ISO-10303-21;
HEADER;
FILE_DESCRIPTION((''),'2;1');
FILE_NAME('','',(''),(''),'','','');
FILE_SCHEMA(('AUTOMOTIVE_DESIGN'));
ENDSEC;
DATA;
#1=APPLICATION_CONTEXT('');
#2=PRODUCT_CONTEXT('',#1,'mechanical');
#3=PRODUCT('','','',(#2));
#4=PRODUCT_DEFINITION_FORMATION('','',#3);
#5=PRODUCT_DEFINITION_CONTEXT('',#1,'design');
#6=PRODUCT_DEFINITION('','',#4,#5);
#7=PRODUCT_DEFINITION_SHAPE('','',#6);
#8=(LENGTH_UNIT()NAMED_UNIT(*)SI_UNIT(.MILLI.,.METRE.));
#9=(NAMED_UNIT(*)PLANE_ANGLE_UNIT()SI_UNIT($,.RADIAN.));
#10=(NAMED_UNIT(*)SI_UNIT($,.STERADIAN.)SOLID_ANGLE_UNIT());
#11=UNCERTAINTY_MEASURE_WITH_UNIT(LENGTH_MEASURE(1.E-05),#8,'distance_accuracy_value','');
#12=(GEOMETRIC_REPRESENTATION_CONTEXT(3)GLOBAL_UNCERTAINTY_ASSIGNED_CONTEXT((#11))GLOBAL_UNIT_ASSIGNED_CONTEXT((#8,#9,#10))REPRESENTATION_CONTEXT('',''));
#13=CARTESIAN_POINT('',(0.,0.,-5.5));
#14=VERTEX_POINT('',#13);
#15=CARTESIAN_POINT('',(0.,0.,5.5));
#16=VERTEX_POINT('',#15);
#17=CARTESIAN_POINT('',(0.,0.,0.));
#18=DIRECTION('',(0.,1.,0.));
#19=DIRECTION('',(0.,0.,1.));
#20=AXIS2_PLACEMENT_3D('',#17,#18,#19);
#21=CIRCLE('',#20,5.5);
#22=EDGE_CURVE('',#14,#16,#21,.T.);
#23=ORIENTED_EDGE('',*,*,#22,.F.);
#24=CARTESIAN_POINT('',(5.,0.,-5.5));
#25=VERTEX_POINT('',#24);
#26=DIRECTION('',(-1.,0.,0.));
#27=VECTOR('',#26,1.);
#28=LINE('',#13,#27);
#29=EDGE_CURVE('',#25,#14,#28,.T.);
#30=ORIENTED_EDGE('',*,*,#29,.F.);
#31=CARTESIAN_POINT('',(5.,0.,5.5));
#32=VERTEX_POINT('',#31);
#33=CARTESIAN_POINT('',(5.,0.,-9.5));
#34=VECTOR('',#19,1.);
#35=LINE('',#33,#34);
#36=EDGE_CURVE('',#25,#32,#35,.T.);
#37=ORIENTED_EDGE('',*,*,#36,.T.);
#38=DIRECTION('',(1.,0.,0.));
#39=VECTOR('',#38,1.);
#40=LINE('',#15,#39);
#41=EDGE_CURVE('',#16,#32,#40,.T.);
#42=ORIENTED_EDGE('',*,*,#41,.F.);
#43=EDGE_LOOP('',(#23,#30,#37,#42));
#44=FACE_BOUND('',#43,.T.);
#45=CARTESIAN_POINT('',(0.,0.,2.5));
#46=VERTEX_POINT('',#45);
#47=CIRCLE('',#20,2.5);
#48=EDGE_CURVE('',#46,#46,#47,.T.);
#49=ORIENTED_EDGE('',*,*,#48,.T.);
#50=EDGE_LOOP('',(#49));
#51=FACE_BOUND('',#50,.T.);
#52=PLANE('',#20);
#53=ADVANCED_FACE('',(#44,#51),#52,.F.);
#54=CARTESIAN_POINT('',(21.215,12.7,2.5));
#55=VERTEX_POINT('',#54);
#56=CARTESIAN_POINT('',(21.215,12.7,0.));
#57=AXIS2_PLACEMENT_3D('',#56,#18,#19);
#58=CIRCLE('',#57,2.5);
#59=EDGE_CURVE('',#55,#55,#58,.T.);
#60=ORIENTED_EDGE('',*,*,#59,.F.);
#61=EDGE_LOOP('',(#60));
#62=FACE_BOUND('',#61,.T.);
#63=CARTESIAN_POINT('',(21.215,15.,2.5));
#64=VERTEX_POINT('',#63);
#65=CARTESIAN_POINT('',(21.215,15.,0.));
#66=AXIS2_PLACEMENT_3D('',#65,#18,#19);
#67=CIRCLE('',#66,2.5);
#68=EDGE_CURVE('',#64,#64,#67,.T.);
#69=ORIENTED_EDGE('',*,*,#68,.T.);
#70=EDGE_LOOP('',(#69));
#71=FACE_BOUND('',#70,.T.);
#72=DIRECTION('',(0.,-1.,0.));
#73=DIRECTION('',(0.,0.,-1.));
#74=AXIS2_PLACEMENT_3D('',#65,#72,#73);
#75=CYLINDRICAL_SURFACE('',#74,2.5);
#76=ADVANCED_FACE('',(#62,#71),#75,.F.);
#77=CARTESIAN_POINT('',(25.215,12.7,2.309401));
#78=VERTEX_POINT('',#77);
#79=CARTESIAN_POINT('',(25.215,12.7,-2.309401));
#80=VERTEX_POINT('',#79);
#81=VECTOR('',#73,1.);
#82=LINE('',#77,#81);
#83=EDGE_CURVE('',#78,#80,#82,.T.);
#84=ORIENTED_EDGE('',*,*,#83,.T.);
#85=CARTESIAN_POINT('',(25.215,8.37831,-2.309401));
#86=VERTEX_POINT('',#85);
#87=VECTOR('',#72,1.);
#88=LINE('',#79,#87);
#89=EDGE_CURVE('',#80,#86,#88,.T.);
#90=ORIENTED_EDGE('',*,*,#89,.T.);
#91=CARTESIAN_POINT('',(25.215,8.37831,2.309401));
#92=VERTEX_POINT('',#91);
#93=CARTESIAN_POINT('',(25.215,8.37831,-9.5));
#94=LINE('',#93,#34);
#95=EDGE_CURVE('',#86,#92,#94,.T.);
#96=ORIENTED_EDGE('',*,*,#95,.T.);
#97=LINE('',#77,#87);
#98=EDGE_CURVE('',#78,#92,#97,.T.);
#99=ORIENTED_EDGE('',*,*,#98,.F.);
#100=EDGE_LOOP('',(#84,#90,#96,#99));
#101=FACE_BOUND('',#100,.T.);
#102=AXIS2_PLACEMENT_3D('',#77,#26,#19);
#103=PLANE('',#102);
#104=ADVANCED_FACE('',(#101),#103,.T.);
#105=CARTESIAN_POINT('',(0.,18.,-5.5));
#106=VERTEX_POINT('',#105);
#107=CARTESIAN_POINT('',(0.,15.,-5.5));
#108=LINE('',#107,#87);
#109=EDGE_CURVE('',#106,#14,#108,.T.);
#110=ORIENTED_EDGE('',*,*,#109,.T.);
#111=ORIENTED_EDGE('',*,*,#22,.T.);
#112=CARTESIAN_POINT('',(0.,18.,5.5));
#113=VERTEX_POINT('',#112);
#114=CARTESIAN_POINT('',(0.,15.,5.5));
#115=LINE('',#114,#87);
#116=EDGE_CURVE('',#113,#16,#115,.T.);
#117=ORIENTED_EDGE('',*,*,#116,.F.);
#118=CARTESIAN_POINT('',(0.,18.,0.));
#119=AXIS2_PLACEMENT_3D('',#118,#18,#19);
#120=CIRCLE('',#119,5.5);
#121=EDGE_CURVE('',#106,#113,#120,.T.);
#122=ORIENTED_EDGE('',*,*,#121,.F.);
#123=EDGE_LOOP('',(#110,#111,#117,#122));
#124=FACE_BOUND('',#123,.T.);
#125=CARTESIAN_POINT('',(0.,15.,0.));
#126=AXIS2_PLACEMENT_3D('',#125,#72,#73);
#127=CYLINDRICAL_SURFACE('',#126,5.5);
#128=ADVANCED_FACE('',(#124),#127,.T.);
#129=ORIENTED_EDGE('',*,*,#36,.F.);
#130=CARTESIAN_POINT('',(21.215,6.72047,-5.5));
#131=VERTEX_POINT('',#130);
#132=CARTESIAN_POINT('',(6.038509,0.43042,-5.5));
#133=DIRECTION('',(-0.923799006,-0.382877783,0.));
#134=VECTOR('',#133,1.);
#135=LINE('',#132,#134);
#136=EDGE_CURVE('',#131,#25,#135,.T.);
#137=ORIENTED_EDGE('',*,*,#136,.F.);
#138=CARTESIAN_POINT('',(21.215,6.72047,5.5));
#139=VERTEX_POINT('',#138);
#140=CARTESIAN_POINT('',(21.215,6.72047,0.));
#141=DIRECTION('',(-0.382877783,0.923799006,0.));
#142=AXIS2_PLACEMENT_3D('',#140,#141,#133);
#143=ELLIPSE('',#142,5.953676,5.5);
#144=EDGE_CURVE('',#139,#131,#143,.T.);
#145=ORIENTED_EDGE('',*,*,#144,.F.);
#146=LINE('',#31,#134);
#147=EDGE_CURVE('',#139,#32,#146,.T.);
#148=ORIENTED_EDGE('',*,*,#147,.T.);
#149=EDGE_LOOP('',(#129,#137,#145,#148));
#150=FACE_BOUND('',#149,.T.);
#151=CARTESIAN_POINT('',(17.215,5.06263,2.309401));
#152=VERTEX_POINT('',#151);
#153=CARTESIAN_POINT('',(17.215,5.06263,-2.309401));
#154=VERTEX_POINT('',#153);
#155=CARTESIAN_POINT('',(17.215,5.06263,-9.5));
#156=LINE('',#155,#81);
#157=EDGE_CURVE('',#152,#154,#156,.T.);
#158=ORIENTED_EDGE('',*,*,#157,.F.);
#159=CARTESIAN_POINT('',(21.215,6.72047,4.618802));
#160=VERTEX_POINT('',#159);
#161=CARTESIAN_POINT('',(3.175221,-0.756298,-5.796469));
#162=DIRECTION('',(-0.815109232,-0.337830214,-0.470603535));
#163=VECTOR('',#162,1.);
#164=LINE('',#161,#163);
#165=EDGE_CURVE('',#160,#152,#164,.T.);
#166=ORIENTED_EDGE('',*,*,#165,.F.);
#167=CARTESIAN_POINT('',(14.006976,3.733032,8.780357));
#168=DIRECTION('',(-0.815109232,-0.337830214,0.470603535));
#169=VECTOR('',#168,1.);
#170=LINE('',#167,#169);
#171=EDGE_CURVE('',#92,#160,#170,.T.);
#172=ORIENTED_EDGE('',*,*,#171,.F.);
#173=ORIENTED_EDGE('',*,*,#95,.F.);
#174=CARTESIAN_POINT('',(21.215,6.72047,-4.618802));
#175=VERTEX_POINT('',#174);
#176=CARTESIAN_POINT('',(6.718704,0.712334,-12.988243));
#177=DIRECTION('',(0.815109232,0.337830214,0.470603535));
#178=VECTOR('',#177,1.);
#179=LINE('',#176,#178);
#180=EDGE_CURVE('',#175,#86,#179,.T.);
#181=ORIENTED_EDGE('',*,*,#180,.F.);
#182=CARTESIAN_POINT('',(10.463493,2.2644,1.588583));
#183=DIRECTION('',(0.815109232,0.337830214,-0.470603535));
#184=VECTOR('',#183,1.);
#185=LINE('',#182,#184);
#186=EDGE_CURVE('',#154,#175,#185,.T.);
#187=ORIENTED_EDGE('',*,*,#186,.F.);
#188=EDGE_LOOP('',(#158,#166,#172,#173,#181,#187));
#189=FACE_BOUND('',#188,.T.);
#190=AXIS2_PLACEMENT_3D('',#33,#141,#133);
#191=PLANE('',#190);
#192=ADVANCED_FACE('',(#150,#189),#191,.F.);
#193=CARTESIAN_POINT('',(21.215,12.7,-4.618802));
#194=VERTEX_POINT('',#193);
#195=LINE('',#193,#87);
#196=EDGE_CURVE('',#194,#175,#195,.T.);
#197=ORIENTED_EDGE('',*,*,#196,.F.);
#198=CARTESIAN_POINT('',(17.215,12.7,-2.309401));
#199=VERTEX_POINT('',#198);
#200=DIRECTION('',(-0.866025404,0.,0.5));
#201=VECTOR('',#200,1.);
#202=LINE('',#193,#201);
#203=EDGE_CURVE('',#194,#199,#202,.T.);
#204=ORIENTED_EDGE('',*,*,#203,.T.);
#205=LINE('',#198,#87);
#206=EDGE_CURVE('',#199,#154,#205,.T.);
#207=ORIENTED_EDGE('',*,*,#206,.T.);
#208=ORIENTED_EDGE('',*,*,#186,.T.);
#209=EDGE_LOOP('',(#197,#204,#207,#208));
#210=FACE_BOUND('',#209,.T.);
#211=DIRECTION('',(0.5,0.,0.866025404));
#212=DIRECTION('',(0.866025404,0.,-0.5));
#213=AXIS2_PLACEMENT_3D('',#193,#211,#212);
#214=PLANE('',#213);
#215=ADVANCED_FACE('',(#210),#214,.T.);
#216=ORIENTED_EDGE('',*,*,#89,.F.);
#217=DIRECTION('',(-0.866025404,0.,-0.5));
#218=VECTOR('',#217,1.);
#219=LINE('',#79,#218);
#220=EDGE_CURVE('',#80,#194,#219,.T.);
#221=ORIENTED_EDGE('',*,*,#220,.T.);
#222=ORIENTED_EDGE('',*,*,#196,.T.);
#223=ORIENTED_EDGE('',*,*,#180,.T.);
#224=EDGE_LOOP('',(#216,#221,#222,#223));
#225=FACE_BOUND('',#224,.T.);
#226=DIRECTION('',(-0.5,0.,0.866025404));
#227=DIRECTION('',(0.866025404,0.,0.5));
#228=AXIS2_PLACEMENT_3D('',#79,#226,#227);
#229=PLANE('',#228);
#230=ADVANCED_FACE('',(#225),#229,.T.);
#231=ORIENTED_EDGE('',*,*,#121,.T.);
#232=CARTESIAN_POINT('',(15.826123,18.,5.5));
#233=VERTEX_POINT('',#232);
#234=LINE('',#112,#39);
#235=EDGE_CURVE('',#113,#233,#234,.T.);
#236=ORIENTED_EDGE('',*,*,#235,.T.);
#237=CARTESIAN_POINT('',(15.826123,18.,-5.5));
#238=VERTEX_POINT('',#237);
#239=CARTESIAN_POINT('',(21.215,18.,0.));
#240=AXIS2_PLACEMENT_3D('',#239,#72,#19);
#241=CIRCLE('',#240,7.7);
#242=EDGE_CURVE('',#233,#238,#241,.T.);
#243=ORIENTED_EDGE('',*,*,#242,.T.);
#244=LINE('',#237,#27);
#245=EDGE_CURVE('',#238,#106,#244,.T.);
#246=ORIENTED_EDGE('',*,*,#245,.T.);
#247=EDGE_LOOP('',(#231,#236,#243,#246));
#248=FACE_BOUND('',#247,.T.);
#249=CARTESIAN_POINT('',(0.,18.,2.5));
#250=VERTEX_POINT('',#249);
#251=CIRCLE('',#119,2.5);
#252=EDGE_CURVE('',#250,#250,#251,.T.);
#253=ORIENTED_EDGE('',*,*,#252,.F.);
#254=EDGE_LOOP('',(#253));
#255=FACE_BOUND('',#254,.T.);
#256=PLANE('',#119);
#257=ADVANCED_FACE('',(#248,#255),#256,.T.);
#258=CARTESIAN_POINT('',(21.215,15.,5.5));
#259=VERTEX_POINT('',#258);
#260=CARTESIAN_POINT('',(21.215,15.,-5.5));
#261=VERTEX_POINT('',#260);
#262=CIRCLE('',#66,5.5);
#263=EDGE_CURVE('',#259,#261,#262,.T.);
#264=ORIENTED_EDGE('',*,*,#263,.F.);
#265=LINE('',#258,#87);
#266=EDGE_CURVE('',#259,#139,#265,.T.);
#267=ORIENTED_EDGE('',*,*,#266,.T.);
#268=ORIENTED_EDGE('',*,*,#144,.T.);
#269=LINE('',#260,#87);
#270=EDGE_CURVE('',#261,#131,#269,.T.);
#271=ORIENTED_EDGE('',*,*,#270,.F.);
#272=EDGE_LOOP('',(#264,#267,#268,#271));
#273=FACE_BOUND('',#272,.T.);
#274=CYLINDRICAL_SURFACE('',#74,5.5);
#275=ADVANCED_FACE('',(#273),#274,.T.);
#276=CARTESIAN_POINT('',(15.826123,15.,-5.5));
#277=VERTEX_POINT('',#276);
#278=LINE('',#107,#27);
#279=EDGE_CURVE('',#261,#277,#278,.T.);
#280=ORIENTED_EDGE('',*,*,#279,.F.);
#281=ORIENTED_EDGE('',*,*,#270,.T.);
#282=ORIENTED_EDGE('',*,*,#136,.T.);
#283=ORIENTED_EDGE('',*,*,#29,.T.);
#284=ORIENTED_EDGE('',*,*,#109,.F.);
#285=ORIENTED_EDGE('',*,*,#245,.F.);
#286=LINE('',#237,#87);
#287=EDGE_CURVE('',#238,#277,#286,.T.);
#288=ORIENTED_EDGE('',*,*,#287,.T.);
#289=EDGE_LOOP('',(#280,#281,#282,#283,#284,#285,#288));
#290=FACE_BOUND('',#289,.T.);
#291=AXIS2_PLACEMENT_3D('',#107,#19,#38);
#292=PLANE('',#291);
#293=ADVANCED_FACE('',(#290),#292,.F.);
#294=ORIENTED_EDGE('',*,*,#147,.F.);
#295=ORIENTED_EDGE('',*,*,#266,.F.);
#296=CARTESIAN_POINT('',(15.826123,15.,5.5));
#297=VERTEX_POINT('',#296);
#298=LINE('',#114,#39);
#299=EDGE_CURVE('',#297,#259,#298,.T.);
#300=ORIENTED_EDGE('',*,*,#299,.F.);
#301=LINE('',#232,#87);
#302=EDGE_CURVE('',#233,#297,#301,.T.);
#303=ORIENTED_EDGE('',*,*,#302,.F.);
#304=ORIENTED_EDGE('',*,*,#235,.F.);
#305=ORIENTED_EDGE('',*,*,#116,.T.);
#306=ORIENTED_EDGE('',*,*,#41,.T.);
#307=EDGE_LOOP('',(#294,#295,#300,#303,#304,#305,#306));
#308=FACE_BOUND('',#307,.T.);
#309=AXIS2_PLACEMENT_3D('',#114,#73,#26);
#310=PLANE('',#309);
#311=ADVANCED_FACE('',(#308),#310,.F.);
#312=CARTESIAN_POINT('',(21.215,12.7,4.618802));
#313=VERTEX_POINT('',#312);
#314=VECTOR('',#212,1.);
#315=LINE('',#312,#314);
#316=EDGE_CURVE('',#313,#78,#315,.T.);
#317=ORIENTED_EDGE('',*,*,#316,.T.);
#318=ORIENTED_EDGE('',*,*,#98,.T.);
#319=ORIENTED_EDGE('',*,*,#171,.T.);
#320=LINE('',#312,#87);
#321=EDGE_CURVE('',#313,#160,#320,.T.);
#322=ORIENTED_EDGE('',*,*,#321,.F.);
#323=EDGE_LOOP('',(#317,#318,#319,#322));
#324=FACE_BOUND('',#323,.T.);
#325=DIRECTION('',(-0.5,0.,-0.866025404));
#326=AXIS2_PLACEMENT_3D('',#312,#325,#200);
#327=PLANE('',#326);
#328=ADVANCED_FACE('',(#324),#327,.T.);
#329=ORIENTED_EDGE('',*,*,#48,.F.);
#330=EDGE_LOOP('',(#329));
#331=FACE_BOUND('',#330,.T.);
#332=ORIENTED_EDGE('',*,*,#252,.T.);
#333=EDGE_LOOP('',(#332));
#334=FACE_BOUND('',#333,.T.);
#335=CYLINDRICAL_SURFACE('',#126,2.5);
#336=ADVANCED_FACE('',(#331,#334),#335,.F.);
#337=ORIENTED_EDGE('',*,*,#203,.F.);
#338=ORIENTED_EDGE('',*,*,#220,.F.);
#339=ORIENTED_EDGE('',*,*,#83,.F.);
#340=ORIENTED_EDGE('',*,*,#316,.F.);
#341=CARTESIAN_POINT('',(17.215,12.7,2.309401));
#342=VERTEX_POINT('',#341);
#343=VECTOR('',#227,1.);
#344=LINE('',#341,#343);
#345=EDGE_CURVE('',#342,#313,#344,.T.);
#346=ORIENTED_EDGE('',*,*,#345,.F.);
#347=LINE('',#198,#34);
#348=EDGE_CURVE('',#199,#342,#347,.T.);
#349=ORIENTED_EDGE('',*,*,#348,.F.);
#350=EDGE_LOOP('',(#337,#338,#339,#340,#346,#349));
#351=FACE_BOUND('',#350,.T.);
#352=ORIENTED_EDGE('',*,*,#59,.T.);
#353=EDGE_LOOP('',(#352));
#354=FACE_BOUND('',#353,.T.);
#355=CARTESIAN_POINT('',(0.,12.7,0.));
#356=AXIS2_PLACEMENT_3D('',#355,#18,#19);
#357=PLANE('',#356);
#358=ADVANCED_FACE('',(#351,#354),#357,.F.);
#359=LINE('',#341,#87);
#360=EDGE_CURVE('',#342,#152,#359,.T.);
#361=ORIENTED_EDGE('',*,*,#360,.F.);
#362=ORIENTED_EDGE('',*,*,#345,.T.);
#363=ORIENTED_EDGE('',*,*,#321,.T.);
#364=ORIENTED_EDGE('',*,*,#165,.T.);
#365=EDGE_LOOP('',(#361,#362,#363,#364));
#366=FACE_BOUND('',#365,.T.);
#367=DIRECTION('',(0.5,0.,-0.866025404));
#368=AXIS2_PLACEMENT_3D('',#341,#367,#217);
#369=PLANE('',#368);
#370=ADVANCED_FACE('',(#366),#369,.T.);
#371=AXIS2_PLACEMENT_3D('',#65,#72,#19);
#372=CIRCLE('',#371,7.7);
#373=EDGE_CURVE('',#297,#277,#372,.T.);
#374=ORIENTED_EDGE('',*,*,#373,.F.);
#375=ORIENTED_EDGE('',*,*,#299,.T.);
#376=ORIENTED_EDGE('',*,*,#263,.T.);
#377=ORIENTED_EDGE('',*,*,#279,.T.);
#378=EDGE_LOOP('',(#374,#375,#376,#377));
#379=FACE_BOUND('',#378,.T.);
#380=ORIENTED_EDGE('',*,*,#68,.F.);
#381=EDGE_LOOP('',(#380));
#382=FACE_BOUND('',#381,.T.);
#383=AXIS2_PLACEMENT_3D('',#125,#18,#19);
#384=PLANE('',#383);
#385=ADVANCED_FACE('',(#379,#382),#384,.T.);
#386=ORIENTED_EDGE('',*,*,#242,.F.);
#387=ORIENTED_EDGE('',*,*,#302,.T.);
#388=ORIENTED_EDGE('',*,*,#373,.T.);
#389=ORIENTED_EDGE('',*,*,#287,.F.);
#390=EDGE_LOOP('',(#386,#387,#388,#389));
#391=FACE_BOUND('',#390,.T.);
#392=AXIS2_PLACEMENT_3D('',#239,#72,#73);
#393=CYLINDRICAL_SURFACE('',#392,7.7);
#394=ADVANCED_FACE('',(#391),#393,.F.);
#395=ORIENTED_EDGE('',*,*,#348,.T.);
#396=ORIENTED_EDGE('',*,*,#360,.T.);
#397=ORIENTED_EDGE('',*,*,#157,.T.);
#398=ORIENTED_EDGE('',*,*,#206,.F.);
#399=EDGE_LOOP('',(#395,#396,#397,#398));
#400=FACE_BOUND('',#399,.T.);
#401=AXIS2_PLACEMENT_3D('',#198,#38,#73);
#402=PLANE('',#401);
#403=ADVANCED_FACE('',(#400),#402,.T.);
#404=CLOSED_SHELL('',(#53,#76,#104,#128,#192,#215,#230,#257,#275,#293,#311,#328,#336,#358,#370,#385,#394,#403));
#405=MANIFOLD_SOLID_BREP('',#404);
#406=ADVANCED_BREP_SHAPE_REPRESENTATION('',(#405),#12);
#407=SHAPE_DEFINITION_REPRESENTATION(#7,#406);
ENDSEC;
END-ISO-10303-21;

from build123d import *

# Parameters (mm, degrees)
CROQUIS1_R                 = 2.5
SALIENTE_EXTRUIR1_DEPTH    = 15
CORTAR_EXTRUIR1_DEPTH      = 15
CORTAR_EXTRUIR2_DEPTH      = 3.7
CORTAR_EXTRUIR2_DEPTH_BACK = 15
CROQUIS4_R                 = 2.5
SALIENTE_EXTRUIR2_DEPTH    = 3


with BuildPart() as part:
    # Croquis1 → Saliente-Extruir1 (new body)
    with BuildSketch(Plane(origin=(0, 0, 0), x_dir=(1, 0, 0), z_dir=(0, 1, 0))):
        with BuildLine():
            Line((0, 5.5), (21.215, 5.5))
            ThreePointArc((21.215, 5.5), (26.715, 0), (21.215, -5.5))
            Line((21.215, -5.5), (0, -5.5))
            ThreePointArc((0, -5.5), (-5.5, 0), (0, 5.5))
        make_face()
        with Locations(Location((0, 0, 0), (0, 0, 270))):
            Circle(CROQUIS1_R, mode=Mode.SUBTRACT)
        with Locations(Location((21.215, 0, 0), (0, 0, 270))):
            Circle(CROQUIS1_R, mode=Mode.SUBTRACT)
    extrude(amount=SALIENTE_EXTRUIR1_DEPTH)

    # Croquis2 → Cortar-Extruir1 (cut)
    with BuildSketch(Plane.XY.offset(5.5)):
        Polygon((5, 0), (26.715, 9), (26.715, 0), align=None)
    extrude(amount=-CORTAR_EXTRUIR1_DEPTH, mode=Mode.SUBTRACT)

    # Croquis3 → Cortar-Extruir2 (cut, two sides: drawn at the far end of the back side and taken through both)
    with BuildSketch(Plane(origin=(0, 9, 0), x_dir=(1, 0, 0), z_dir=(0, 1, 0)).offset(-CORTAR_EXTRUIR2_DEPTH_BACK)):
        Polygon((17.215, 2.309401077), (17.215, -2.309401077), (21.215, -4.618802154), (25.215, -2.309401077), (25.215, 2.309401077), (21.215, 4.618802154), align=None)
    extrude(amount=CORTAR_EXTRUIR2_DEPTH + CORTAR_EXTRUIR2_DEPTH_BACK, mode=Mode.SUBTRACT)

    # Croquis4 → Saliente-Extruir2 (add)
    with BuildSketch(Plane(origin=(0, 15, 0), x_dir=(1, 0, 0), z_dir=(0, 1, 0))):
        with BuildLine():
            Line((0, -5.5), (15.826122566, -5.5))
            ThreePointArc((15.826122566, -5.5), (13.515, 0), (15.826122566, 5.5))
            Line((15.826122566, 5.5), (0, 5.5))
            ThreePointArc((0, 5.5), (-5.5, 0), (0, -5.5))
        make_face()
        with Locations(Location((0, 0, 0), (0, 0, 270))):
            Circle(CROQUIS4_R, mode=Mode.SUBTRACT)
    extrude(amount=SALIENTE_EXTRUIR2_DEPTH)


solid = part.part
